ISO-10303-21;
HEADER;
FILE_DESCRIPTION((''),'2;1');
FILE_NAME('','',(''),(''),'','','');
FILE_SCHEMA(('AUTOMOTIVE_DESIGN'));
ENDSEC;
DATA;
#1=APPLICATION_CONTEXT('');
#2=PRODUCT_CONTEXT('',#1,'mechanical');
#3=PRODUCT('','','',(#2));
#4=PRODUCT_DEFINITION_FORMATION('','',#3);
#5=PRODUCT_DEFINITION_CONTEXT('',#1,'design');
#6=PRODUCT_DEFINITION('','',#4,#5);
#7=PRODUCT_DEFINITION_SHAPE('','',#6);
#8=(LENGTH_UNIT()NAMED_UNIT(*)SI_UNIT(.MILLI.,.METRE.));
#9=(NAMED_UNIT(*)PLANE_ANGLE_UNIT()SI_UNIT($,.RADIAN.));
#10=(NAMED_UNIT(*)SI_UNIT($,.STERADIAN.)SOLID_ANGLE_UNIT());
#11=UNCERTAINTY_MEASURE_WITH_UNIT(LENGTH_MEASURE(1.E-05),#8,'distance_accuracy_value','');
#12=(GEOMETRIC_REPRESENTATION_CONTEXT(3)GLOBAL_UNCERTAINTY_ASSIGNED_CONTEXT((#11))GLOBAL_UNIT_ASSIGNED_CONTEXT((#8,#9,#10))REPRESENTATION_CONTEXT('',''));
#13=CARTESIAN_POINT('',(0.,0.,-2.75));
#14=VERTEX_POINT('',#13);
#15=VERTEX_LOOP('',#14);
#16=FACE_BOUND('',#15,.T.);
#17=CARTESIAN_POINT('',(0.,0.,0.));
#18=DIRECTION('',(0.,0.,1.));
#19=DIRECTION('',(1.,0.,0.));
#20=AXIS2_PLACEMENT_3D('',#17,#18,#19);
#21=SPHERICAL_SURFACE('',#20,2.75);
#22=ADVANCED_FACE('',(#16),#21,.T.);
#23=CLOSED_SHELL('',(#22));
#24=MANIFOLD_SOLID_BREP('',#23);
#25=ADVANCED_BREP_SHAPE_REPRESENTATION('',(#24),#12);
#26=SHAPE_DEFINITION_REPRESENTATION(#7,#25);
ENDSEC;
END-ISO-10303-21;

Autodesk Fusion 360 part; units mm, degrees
sphere "SpherePrimitive1" add diameter 5.5 placed x (1, 0, 0) y (0, 1, 0) z (0, 0, 1) at (0, 0, 0)
